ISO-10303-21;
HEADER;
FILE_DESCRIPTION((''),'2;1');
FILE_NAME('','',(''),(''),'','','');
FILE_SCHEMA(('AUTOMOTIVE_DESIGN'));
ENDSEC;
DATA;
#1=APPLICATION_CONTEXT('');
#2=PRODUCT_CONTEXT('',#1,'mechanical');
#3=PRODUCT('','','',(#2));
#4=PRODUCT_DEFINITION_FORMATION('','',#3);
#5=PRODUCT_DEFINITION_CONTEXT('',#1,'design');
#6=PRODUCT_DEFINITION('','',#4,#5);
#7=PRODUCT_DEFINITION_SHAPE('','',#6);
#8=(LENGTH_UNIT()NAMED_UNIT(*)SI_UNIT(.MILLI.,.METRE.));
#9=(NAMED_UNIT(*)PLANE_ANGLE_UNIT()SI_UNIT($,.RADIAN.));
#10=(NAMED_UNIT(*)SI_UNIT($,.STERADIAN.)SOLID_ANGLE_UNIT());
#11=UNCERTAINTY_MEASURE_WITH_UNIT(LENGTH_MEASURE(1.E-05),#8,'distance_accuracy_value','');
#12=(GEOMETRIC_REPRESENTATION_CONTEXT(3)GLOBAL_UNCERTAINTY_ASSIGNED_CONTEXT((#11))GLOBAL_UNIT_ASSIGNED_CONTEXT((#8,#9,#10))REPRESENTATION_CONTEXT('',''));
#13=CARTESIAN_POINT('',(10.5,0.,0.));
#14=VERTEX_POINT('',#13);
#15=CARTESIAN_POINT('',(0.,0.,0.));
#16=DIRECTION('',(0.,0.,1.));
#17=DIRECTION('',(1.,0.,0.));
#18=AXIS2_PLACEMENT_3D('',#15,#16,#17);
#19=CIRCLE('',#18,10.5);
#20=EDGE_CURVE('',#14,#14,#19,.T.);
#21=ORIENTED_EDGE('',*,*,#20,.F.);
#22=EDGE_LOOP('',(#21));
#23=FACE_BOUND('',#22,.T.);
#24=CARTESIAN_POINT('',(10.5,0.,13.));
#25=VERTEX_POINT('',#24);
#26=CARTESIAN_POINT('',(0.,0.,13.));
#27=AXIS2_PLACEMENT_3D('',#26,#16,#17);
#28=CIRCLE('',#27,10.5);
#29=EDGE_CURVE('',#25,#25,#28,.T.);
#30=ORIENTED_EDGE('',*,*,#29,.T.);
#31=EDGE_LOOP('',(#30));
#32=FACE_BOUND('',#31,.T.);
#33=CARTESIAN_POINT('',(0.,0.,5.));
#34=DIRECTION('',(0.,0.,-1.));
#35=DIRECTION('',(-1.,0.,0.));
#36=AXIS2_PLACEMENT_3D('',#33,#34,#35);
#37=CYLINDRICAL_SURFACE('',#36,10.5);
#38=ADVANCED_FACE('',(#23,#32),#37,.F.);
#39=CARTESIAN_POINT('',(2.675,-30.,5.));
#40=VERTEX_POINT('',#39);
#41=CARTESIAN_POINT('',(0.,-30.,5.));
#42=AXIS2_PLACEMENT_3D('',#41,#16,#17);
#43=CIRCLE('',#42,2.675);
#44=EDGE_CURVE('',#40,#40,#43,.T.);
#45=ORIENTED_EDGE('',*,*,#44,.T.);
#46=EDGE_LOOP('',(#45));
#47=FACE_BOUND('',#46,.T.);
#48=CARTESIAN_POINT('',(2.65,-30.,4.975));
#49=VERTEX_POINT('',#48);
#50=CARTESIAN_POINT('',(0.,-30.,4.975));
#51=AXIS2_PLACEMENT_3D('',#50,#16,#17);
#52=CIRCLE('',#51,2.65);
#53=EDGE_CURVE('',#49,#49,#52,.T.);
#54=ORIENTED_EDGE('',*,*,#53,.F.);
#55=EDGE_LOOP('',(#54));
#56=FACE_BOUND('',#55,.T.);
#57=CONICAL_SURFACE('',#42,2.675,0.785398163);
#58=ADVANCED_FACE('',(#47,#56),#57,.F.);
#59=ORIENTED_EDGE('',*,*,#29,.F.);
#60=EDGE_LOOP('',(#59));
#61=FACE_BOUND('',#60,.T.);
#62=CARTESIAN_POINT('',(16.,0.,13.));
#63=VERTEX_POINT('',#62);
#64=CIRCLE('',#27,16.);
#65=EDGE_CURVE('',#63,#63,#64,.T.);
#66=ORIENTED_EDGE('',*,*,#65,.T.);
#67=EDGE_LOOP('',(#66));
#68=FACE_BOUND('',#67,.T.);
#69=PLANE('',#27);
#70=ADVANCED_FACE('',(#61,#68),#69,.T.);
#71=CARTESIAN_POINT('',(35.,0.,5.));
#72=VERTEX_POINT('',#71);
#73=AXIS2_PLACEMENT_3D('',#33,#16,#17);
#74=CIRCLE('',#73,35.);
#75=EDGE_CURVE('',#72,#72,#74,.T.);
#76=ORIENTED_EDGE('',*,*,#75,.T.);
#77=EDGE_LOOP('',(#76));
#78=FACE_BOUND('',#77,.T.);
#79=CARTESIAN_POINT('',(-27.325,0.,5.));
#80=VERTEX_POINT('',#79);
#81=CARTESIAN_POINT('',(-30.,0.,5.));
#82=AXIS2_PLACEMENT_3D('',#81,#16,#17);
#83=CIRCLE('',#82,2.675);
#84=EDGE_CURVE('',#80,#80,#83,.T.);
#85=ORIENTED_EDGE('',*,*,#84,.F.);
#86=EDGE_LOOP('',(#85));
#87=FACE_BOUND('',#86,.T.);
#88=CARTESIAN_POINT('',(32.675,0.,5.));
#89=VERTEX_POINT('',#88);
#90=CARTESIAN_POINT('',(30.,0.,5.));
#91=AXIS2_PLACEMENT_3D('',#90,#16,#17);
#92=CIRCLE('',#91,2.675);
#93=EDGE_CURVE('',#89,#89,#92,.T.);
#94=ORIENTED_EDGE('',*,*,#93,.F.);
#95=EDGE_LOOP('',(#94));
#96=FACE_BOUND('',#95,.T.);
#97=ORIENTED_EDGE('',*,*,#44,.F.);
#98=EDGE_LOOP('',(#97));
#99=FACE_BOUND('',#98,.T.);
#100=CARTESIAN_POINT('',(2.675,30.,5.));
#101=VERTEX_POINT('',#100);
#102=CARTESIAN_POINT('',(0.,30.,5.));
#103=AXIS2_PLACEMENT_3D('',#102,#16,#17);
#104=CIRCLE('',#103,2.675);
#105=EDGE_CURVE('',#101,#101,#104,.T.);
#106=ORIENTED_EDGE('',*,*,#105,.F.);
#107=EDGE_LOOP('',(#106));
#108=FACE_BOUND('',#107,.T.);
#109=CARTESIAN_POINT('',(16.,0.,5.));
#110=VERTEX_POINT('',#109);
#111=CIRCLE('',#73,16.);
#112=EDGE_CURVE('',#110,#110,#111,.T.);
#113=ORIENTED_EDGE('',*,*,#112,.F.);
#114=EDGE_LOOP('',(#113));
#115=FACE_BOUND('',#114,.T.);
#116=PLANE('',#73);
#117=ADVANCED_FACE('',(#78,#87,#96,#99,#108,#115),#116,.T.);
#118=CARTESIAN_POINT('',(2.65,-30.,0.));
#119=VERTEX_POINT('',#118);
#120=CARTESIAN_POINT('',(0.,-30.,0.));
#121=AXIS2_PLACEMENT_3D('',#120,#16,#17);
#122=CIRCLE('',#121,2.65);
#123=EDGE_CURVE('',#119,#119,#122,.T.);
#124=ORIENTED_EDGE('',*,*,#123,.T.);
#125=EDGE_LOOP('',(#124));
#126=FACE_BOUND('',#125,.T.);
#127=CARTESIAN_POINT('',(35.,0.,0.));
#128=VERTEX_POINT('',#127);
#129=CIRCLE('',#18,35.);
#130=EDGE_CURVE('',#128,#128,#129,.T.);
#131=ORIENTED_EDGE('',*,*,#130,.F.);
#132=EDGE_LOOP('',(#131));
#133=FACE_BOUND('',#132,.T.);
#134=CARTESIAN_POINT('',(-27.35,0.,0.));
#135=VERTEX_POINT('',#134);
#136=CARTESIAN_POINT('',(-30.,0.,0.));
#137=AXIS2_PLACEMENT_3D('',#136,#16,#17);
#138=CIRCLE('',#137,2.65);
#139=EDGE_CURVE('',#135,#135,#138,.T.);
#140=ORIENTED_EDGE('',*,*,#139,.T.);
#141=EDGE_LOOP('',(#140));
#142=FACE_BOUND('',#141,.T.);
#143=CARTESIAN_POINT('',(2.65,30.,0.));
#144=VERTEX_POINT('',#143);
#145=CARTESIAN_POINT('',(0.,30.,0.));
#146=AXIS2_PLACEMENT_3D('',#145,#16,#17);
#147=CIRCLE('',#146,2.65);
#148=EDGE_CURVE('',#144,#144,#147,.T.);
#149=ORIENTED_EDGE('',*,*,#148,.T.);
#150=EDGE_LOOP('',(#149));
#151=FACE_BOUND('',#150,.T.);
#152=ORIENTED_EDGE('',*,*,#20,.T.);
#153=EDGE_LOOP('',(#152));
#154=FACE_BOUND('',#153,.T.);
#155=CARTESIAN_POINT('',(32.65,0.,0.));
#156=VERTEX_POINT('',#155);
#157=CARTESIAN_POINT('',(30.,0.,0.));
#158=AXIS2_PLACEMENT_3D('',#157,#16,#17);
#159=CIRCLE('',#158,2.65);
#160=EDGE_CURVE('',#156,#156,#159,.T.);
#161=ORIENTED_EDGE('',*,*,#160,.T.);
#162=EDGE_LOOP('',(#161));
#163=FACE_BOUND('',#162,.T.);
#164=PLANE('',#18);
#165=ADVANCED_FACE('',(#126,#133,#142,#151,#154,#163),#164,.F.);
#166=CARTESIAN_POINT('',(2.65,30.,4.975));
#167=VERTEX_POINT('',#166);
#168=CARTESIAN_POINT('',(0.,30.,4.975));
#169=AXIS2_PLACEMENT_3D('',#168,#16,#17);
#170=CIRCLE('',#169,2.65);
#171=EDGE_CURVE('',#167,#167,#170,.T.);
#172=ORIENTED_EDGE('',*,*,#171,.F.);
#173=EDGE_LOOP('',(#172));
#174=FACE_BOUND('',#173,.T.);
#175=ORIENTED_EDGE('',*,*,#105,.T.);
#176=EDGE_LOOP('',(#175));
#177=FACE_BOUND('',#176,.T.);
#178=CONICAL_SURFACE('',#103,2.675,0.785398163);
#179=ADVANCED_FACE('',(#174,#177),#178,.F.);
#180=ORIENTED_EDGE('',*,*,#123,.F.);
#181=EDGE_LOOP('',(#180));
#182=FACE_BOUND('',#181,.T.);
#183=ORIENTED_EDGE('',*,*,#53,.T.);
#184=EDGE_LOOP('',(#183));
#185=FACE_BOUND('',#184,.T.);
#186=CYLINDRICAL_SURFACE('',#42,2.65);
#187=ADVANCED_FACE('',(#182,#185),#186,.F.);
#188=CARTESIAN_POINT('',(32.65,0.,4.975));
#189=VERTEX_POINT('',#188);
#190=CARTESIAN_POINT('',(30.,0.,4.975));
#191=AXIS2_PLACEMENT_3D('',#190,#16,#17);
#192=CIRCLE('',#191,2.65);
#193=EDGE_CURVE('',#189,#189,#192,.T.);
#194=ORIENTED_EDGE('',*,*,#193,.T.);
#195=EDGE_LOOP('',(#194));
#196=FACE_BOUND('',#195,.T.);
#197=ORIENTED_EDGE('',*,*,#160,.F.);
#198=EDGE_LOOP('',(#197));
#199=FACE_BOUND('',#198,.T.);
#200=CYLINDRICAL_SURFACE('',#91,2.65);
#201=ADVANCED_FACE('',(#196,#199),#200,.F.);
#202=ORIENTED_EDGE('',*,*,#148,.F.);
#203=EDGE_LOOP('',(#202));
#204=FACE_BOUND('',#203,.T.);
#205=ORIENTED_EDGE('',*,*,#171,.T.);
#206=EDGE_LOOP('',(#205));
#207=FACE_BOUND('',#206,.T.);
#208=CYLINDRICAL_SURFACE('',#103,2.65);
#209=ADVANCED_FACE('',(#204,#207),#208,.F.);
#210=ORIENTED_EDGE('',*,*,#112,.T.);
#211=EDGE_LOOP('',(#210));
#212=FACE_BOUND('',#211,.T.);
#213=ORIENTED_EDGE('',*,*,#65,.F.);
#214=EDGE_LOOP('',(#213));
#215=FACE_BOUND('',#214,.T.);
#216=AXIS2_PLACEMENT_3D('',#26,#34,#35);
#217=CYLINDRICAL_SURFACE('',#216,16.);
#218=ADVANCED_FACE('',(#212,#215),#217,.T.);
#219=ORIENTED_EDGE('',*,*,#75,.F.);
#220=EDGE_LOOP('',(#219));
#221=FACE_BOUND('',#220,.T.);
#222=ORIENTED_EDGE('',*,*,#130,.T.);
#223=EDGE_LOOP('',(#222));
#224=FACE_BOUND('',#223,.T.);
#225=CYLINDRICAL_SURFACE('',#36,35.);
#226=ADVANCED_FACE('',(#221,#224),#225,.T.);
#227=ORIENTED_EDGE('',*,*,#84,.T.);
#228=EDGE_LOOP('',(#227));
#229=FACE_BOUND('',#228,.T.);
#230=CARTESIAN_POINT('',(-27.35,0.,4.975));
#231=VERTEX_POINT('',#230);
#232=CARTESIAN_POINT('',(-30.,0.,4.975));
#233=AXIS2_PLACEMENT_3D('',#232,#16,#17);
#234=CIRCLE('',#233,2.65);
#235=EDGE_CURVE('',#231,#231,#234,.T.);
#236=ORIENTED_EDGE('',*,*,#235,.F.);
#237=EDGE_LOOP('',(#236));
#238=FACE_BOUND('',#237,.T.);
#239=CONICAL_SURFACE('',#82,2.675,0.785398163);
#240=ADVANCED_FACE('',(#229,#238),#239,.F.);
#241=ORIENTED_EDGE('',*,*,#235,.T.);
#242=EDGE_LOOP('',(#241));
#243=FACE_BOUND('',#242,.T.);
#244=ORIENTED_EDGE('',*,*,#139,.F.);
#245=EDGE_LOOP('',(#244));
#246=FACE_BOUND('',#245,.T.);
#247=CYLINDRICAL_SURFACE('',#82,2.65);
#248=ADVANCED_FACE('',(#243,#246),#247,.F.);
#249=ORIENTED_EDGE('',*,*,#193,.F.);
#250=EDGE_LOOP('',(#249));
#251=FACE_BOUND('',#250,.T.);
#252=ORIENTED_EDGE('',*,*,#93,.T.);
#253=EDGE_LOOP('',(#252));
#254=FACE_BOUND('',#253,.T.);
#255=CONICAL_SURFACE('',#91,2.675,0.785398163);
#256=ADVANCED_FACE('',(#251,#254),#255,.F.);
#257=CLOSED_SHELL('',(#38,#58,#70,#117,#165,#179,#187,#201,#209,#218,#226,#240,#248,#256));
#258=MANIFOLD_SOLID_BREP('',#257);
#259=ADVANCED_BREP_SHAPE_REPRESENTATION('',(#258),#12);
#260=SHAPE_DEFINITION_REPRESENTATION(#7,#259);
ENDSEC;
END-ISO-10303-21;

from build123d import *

# Parameters (mm, degrees)
SKETCH1_R                      = 35
SKETCH1_R_2                    = 10.5
BOSS_EXTRUDE1_DEPTH            = 5
M5_CLEARANCE_HOLE1_D           = 5.3
M5_CLEARANCE_HOLE1_CSINK_D     = 5.35
M5_CLEARANCE_HOLE1_CSINK_ANGLE = 90
CIRPATTERN1_COUNT              = 4
SKETCH5_R                      = 16
SKETCH5_R_2                    = 10.5
BOSS_EXTRUDE2_DEPTH            = 8


with BuildPart() as part:
    # Sketch1 → Boss-Extrude1 (new body)
    with BuildSketch(Plane.XY):
        Circle(SKETCH1_R)
        Circle(SKETCH1_R_2, mode=Mode.SUBTRACT)
    extrude(amount=BOSS_EXTRUDE1_DEPTH)

    # M5 Clearance Hole1 (through all)
    with Locations(Plane.XY.offset(5)):
        with Locations((0, 30)):
            m5_clearance_hole1 = CounterSinkHole(M5_CLEARANCE_HOLE1_D / 2, M5_CLEARANCE_HOLE1_CSINK_D / 2, counter_sink_angle=M5_CLEARANCE_HOLE1_CSINK_ANGLE)

    # CirPattern1: M5 Clearance Hole1 ×4 about axis
    cirpattern1_axis = Axis((0, 0, 0), (0, 0, 1))
    for i in range(1, CIRPATTERN1_COUNT):
        add(m5_clearance_hole1.rotate(cirpattern1_axis, i * 360 / CIRPATTERN1_COUNT), mode=Mode.SUBTRACT)

    # Sketch5 → Boss-Extrude2 (add)
    with BuildSketch(Plane.XY.offset(5)):
        Circle(SKETCH5_R)
        Circle(SKETCH5_R_2, mode=Mode.SUBTRACT)
    extrude(amount=BOSS_EXTRUDE2_DEPTH)


solid = part.part
